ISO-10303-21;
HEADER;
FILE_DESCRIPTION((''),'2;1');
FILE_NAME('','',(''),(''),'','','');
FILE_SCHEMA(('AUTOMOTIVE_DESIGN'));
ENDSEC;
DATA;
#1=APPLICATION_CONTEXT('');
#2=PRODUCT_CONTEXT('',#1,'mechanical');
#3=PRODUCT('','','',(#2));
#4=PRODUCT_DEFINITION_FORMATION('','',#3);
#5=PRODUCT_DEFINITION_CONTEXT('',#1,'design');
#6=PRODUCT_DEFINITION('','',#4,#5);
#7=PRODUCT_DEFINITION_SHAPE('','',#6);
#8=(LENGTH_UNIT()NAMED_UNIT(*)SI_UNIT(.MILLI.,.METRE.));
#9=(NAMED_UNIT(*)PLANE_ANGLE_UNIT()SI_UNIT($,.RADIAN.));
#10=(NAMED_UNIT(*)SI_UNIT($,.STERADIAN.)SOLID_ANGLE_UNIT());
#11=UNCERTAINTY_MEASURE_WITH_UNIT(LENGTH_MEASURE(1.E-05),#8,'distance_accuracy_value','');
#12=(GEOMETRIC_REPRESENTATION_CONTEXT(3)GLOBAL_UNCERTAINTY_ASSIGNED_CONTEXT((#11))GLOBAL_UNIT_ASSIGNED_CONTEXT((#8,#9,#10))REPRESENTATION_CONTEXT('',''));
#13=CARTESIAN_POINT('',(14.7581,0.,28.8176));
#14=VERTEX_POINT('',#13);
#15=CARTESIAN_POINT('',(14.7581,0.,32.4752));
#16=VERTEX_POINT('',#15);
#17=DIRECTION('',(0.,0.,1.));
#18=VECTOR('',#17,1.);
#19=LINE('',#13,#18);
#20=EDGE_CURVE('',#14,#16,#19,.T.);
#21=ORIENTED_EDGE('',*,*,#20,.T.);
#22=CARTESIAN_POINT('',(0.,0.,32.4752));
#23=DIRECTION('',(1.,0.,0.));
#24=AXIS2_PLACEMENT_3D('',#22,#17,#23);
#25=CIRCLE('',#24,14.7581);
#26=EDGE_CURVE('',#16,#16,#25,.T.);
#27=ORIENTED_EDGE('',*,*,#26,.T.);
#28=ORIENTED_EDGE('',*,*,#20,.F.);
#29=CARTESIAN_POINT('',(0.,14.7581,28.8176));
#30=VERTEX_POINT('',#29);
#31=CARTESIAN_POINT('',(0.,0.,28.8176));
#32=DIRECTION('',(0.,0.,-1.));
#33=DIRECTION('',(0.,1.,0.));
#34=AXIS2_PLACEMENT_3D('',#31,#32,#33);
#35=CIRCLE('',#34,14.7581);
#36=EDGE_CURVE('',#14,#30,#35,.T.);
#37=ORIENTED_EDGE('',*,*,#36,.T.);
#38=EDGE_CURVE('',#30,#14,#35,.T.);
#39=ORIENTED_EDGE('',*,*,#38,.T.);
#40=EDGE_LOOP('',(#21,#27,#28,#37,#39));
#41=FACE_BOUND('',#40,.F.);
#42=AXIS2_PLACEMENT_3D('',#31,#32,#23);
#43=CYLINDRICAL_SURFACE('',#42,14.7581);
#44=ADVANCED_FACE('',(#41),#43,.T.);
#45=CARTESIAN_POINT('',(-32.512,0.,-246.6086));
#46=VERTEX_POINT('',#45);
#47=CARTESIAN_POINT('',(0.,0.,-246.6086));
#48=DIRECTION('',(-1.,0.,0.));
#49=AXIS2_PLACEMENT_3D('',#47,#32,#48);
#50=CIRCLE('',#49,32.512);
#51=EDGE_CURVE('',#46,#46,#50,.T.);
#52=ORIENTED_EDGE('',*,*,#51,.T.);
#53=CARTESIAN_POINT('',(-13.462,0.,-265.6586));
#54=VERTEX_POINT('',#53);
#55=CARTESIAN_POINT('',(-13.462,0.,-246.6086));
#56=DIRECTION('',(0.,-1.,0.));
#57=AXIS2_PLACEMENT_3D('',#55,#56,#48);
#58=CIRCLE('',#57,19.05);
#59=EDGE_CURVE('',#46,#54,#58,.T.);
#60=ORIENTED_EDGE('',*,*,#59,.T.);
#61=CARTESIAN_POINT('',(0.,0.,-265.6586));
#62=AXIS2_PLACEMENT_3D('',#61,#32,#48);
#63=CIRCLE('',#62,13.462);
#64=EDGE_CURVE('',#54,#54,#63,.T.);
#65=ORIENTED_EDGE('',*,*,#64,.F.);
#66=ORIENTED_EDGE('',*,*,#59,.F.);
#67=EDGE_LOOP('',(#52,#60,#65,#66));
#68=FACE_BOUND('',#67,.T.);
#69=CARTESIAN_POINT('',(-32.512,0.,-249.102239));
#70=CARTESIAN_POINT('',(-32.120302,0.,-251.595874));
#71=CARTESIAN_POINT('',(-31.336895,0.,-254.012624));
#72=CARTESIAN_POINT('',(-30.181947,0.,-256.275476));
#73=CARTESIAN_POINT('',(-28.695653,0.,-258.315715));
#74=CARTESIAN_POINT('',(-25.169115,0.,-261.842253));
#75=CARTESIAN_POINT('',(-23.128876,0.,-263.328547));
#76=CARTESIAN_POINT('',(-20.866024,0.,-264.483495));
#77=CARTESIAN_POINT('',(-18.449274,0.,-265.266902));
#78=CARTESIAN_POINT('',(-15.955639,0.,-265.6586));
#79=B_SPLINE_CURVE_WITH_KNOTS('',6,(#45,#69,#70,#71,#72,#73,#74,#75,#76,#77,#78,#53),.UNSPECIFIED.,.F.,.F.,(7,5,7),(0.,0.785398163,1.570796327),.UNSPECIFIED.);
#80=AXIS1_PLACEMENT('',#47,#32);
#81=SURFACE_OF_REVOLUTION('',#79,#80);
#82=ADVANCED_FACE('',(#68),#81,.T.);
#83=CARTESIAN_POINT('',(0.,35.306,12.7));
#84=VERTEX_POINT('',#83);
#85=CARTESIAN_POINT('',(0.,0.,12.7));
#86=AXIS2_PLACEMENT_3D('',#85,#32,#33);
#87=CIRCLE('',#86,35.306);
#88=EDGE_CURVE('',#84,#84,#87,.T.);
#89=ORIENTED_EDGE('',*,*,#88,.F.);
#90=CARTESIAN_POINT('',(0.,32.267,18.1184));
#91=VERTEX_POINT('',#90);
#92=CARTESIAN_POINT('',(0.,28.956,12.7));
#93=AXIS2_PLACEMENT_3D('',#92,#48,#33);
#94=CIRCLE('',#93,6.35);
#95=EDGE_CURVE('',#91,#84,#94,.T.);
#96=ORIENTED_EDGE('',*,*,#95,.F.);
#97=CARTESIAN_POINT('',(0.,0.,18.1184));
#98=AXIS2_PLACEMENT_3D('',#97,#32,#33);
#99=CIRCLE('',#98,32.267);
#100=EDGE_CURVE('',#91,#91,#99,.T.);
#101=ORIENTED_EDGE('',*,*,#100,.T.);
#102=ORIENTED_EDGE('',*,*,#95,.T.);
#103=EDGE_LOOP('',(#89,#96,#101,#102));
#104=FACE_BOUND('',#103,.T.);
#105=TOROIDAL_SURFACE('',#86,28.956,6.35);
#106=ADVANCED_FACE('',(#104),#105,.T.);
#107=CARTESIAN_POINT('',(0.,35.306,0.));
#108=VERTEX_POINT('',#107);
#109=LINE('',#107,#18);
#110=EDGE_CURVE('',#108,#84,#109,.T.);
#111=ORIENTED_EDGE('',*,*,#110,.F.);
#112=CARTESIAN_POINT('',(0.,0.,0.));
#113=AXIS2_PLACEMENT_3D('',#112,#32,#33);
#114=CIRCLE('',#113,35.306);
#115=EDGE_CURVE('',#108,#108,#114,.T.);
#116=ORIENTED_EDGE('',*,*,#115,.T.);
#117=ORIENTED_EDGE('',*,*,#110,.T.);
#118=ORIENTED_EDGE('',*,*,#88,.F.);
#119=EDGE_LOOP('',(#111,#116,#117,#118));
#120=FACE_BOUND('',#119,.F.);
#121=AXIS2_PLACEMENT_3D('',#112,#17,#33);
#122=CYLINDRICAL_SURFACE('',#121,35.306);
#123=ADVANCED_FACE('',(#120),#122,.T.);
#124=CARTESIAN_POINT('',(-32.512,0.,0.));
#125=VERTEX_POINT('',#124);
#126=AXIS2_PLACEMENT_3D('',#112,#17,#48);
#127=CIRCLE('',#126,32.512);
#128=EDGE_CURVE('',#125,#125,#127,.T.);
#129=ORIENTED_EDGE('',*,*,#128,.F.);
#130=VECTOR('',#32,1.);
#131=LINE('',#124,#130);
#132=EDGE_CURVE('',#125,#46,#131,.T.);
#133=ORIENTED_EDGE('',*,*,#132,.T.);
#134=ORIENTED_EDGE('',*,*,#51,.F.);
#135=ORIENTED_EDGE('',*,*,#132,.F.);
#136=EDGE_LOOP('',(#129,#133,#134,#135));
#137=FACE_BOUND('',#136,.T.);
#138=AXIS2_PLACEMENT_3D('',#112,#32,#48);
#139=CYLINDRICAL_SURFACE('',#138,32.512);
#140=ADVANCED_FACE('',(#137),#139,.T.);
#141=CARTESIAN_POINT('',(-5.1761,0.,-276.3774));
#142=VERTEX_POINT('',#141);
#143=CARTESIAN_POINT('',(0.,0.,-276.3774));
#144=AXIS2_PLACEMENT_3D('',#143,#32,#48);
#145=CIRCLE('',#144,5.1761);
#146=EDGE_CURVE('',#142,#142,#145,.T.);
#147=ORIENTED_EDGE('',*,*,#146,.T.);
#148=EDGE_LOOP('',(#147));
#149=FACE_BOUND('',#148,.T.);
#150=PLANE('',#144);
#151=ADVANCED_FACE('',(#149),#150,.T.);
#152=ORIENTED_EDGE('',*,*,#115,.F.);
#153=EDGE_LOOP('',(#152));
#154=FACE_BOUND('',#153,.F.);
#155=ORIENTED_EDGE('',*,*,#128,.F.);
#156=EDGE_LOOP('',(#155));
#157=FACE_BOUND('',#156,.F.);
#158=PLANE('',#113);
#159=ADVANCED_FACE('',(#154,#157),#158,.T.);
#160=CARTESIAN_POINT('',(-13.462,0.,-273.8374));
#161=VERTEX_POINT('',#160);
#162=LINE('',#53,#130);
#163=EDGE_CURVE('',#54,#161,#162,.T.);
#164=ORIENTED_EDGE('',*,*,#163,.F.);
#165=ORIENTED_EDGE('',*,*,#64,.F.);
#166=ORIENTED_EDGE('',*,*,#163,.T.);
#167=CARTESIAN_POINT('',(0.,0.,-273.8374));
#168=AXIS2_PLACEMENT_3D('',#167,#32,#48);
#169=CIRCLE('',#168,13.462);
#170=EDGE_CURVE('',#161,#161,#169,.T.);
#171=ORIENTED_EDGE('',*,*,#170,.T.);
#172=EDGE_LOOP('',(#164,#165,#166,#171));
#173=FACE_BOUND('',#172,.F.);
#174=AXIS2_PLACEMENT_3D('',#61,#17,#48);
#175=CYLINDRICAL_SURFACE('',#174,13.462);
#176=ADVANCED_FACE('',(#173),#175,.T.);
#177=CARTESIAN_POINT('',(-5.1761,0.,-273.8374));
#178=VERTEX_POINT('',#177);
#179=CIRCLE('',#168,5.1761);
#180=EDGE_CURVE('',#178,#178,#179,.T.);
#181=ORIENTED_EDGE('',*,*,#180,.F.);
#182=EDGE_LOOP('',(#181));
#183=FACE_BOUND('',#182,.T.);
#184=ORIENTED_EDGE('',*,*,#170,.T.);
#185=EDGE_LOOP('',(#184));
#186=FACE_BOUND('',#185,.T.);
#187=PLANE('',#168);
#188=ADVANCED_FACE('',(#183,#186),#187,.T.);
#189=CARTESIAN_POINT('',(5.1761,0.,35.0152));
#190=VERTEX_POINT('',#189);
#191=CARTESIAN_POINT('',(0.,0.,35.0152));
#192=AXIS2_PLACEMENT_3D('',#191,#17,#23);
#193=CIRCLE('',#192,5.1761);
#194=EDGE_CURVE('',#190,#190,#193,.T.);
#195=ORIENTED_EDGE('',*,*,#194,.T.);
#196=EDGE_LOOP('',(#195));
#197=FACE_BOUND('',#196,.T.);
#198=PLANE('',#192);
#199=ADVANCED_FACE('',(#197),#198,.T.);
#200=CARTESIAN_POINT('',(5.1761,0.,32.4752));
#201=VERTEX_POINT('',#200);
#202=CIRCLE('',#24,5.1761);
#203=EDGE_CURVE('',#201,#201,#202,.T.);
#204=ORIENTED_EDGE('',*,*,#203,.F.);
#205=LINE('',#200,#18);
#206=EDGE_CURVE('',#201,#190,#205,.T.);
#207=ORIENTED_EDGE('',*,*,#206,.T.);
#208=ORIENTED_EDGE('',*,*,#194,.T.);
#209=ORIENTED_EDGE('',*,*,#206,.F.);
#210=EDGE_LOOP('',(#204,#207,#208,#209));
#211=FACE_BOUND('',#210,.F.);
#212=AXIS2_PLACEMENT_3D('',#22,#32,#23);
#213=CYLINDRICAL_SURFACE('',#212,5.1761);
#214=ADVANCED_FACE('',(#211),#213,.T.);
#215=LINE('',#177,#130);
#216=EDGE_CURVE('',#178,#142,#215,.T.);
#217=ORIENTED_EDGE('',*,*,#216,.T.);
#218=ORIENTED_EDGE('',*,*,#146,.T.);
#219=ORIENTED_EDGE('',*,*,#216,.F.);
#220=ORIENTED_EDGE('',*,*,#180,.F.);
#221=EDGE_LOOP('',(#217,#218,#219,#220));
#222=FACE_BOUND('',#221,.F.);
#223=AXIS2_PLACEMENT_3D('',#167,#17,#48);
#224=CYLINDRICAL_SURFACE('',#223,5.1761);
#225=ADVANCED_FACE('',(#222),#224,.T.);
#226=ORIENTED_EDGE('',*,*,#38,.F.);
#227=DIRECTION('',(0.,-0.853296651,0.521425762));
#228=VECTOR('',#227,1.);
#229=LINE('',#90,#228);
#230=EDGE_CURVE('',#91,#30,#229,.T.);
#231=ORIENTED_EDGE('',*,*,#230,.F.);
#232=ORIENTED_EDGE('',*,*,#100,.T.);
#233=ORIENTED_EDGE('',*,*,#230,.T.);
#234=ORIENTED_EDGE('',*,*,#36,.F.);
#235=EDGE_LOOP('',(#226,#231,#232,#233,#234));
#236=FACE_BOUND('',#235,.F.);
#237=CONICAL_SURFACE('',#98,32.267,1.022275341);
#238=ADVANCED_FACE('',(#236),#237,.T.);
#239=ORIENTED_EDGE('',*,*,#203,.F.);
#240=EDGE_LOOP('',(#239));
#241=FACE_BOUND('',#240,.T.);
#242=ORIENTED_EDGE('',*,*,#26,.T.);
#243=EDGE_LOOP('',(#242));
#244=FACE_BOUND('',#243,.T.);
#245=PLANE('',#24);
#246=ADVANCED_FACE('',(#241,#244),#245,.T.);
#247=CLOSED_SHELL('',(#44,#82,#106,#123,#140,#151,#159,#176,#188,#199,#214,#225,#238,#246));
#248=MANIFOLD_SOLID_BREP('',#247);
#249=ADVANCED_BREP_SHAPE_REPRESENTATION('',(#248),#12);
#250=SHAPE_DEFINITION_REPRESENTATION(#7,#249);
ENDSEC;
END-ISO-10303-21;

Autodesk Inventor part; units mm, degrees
ref_plane "XZ Plane" through (0, 0, 0) normal (0, 1, 0) x (-1, 0, 0)
ref_plane "XY Plane" through (0, 0, 0) normal (0, 0, 1) x (1, 0, 0)
sketch "Sketch1" plane through (0, 0, 0) normal (0, 1, 0) x (-1, 0, 0)
  line L0 (0, 0) -> (0, -394.9191)
  line L1 (0, 0) -> (32.512, 0)
  line L2 (32.512, 0) -> (32.512, -265.6586)
  line L3 (32.512, -265.6586) -> (0, -265.6586)
  dimension "d0" = 32.512
  dimension "d1" = 265.6586
revolve "Revolution1" add sketch "Sketch1" angle 360 about axis through (0, 0, 0) along (0, 0, -1)
fillet "Fillet1" radius 19.05 1 edges at (32.512, 0, -265.6586)
sketch "Sketch2" plane through (0, 0, 0) normal (1, 0, 0) x (0, 1, 0)
  line L0 (0, 0) -> (35.306, 0)
  line L1 (-32.512, 0) -> (32.512, 0) projected
  line L2 (35.306, 0) -> (35.306, 19.05)
  line L3 (35.306, 19.05) -> (0, 19.05)
  line L4 (0, 19.05) -> (0, 0)
  dimension "d4" = 35.306
  dimension "d5" = 19.05
revolve "Revolution2" add sketch "Sketch2" angle 360 about axis through (0, 0, 19.05) along (0, 0, -1)
fillet "Fillet2" radius 6.35 1 edges at (0, -35.306, 19.05)
sketch "Sketch3" plane through (0, 0, 0) normal (1, 0, 0) x (0, 1, 0)
  arc A0 (35.306, 12.7) -> (28.956, 19.05) centre (28.956, 12.7) ccw projected
  line L0 (32.267, 18.1184) -> (14.7581, 28.8176)
  line L1 (14.7581, 28.8176) -> (0, 28.8176)
  line L2 (0, 28.8176) -> (0, 19.05)
  line L3 (-28.956, 19.05) -> (28.956, 19.05) projected
  point P0 (0, 0)
revolve "Revolution3" add sketch "Sketch3" angle 360 about axis through (0, 0, 28.8176) along (0, 0, -1)
sketch "Sketch4" plane through (0, 0, 28.8176) normal (0, 0, 1) x (1, 0, 0)
  circle A0 centre (0, 0) radius 14.7581 projected
extrude "Extrusion1" add sketch "Sketch4" along normal blind 3.6576
sketch "Sketch5" plane through (0, 0, -265.6586) normal (0, 0, -1) x (-1, 0, 0)
  circle A0 centre (0, 0) radius 13.462 projected
extrude "Extrusion2" add sketch "Sketch5" along normal blind 8.1788
sketch "Sketch6" plane through (0, 0, 32.4752) normal (0, 0, 1) x (1, 0, 0)
  circle A0 centre (0, 0) radius 14.7581 projected
  circle A1 centre (0, 0) radius 5.1761
extrude "Extrusion3" add sketch "Sketch6" along normal blind 2.54 contours A1
sketch "Sketch7" plane through (0, 0, -273.8374) normal (0, 0, -1) x (-1, 0, 0)
  circle A0 centre (0, 0) radius 5.1761 projected
extrude "Extrusion4" add sketch "Sketch7" along normal blind 2.54
ref_plane "Work Plane1" through (32.512, 0, -132.8293) normal (1, 0, 0) x (0, 1, 0)
sketch "Sketch8" plane through (32.512, 0, -132.8293) normal (1, 0, 0) x (0, 1, 0)
  line L0 (25.1558, 74.2307) -> (25.1558, -47.9866) construction
  line L1 (25.1558, -47.9866) -> (-21.6706, -47.9866) construction
  line L2 (-21.6706, -47.9866) -> (-21.6706, 74.2307) construction
  line L3 (-21.6706, 74.2307) -> (25.1558, 74.2307) construction
  point P0 (0, 132.8293)
decal "Decal1"
properties part number "AVT-PP-35" material "Steel"
